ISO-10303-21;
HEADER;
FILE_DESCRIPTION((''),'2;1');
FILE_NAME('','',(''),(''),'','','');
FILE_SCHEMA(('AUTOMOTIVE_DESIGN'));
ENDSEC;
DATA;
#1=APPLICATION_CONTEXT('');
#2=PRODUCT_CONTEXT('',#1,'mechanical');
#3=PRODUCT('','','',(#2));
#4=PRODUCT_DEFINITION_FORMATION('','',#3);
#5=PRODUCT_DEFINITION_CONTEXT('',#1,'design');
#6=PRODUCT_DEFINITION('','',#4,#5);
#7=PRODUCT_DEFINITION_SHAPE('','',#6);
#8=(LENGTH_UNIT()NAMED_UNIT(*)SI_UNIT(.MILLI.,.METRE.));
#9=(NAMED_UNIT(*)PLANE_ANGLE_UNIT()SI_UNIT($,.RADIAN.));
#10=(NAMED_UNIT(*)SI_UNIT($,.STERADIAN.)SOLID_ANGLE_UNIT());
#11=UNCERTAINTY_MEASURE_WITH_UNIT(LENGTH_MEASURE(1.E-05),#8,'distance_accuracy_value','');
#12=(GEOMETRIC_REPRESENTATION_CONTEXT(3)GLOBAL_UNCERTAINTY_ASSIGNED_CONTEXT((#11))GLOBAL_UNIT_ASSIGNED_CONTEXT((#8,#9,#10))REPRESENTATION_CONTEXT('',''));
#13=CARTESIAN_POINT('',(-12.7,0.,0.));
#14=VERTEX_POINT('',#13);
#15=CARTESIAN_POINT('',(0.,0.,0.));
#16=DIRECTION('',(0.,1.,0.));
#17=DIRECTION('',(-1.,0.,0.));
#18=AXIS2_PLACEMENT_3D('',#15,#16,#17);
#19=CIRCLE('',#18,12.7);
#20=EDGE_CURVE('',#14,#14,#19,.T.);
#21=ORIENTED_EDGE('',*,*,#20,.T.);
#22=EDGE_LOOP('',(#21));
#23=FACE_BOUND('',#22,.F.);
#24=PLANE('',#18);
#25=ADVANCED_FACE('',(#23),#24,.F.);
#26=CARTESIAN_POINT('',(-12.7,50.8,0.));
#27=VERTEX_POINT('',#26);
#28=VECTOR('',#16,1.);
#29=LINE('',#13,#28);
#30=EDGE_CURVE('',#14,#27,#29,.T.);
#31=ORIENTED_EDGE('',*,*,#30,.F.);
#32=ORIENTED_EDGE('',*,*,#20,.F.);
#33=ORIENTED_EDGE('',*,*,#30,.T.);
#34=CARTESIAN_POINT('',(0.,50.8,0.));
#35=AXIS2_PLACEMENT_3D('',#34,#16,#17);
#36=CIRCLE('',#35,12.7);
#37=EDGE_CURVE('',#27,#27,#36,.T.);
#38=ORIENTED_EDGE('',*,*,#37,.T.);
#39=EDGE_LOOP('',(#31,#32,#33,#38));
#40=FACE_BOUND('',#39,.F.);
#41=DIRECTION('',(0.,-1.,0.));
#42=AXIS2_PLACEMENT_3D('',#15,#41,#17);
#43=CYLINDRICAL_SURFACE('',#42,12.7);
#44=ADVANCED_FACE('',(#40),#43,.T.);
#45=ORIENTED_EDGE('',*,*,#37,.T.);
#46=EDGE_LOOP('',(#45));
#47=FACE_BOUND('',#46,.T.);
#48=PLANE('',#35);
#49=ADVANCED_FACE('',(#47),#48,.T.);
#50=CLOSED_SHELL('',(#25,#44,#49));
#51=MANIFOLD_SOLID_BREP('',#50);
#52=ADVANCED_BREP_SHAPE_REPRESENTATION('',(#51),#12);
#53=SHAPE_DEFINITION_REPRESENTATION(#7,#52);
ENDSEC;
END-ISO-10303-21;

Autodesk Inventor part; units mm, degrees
ref_plane "YZ Plane" through (0, 0, 0) normal (1, 0, 0) x (0, 1, 0)
ref_plane "XZ Plane" through (0, 0, 0) normal (0, 1, 0) x (-1, 0, 0)
ref_plane "XY Plane" through (0, 0, 0) normal (0, 0, 1) x (1, 0, 0)
sketch "Sketch1" plane through (0, 0, 0) normal (0, 1, 0) x (-1, 0, 0)
  circle A0 centre (0, 0) radius 12.7
  dimension "d0" = 25.4
extrude "Extrusion1" add sketch "Sketch1" along normal blind 50.8
properties part number "1 in roller"
